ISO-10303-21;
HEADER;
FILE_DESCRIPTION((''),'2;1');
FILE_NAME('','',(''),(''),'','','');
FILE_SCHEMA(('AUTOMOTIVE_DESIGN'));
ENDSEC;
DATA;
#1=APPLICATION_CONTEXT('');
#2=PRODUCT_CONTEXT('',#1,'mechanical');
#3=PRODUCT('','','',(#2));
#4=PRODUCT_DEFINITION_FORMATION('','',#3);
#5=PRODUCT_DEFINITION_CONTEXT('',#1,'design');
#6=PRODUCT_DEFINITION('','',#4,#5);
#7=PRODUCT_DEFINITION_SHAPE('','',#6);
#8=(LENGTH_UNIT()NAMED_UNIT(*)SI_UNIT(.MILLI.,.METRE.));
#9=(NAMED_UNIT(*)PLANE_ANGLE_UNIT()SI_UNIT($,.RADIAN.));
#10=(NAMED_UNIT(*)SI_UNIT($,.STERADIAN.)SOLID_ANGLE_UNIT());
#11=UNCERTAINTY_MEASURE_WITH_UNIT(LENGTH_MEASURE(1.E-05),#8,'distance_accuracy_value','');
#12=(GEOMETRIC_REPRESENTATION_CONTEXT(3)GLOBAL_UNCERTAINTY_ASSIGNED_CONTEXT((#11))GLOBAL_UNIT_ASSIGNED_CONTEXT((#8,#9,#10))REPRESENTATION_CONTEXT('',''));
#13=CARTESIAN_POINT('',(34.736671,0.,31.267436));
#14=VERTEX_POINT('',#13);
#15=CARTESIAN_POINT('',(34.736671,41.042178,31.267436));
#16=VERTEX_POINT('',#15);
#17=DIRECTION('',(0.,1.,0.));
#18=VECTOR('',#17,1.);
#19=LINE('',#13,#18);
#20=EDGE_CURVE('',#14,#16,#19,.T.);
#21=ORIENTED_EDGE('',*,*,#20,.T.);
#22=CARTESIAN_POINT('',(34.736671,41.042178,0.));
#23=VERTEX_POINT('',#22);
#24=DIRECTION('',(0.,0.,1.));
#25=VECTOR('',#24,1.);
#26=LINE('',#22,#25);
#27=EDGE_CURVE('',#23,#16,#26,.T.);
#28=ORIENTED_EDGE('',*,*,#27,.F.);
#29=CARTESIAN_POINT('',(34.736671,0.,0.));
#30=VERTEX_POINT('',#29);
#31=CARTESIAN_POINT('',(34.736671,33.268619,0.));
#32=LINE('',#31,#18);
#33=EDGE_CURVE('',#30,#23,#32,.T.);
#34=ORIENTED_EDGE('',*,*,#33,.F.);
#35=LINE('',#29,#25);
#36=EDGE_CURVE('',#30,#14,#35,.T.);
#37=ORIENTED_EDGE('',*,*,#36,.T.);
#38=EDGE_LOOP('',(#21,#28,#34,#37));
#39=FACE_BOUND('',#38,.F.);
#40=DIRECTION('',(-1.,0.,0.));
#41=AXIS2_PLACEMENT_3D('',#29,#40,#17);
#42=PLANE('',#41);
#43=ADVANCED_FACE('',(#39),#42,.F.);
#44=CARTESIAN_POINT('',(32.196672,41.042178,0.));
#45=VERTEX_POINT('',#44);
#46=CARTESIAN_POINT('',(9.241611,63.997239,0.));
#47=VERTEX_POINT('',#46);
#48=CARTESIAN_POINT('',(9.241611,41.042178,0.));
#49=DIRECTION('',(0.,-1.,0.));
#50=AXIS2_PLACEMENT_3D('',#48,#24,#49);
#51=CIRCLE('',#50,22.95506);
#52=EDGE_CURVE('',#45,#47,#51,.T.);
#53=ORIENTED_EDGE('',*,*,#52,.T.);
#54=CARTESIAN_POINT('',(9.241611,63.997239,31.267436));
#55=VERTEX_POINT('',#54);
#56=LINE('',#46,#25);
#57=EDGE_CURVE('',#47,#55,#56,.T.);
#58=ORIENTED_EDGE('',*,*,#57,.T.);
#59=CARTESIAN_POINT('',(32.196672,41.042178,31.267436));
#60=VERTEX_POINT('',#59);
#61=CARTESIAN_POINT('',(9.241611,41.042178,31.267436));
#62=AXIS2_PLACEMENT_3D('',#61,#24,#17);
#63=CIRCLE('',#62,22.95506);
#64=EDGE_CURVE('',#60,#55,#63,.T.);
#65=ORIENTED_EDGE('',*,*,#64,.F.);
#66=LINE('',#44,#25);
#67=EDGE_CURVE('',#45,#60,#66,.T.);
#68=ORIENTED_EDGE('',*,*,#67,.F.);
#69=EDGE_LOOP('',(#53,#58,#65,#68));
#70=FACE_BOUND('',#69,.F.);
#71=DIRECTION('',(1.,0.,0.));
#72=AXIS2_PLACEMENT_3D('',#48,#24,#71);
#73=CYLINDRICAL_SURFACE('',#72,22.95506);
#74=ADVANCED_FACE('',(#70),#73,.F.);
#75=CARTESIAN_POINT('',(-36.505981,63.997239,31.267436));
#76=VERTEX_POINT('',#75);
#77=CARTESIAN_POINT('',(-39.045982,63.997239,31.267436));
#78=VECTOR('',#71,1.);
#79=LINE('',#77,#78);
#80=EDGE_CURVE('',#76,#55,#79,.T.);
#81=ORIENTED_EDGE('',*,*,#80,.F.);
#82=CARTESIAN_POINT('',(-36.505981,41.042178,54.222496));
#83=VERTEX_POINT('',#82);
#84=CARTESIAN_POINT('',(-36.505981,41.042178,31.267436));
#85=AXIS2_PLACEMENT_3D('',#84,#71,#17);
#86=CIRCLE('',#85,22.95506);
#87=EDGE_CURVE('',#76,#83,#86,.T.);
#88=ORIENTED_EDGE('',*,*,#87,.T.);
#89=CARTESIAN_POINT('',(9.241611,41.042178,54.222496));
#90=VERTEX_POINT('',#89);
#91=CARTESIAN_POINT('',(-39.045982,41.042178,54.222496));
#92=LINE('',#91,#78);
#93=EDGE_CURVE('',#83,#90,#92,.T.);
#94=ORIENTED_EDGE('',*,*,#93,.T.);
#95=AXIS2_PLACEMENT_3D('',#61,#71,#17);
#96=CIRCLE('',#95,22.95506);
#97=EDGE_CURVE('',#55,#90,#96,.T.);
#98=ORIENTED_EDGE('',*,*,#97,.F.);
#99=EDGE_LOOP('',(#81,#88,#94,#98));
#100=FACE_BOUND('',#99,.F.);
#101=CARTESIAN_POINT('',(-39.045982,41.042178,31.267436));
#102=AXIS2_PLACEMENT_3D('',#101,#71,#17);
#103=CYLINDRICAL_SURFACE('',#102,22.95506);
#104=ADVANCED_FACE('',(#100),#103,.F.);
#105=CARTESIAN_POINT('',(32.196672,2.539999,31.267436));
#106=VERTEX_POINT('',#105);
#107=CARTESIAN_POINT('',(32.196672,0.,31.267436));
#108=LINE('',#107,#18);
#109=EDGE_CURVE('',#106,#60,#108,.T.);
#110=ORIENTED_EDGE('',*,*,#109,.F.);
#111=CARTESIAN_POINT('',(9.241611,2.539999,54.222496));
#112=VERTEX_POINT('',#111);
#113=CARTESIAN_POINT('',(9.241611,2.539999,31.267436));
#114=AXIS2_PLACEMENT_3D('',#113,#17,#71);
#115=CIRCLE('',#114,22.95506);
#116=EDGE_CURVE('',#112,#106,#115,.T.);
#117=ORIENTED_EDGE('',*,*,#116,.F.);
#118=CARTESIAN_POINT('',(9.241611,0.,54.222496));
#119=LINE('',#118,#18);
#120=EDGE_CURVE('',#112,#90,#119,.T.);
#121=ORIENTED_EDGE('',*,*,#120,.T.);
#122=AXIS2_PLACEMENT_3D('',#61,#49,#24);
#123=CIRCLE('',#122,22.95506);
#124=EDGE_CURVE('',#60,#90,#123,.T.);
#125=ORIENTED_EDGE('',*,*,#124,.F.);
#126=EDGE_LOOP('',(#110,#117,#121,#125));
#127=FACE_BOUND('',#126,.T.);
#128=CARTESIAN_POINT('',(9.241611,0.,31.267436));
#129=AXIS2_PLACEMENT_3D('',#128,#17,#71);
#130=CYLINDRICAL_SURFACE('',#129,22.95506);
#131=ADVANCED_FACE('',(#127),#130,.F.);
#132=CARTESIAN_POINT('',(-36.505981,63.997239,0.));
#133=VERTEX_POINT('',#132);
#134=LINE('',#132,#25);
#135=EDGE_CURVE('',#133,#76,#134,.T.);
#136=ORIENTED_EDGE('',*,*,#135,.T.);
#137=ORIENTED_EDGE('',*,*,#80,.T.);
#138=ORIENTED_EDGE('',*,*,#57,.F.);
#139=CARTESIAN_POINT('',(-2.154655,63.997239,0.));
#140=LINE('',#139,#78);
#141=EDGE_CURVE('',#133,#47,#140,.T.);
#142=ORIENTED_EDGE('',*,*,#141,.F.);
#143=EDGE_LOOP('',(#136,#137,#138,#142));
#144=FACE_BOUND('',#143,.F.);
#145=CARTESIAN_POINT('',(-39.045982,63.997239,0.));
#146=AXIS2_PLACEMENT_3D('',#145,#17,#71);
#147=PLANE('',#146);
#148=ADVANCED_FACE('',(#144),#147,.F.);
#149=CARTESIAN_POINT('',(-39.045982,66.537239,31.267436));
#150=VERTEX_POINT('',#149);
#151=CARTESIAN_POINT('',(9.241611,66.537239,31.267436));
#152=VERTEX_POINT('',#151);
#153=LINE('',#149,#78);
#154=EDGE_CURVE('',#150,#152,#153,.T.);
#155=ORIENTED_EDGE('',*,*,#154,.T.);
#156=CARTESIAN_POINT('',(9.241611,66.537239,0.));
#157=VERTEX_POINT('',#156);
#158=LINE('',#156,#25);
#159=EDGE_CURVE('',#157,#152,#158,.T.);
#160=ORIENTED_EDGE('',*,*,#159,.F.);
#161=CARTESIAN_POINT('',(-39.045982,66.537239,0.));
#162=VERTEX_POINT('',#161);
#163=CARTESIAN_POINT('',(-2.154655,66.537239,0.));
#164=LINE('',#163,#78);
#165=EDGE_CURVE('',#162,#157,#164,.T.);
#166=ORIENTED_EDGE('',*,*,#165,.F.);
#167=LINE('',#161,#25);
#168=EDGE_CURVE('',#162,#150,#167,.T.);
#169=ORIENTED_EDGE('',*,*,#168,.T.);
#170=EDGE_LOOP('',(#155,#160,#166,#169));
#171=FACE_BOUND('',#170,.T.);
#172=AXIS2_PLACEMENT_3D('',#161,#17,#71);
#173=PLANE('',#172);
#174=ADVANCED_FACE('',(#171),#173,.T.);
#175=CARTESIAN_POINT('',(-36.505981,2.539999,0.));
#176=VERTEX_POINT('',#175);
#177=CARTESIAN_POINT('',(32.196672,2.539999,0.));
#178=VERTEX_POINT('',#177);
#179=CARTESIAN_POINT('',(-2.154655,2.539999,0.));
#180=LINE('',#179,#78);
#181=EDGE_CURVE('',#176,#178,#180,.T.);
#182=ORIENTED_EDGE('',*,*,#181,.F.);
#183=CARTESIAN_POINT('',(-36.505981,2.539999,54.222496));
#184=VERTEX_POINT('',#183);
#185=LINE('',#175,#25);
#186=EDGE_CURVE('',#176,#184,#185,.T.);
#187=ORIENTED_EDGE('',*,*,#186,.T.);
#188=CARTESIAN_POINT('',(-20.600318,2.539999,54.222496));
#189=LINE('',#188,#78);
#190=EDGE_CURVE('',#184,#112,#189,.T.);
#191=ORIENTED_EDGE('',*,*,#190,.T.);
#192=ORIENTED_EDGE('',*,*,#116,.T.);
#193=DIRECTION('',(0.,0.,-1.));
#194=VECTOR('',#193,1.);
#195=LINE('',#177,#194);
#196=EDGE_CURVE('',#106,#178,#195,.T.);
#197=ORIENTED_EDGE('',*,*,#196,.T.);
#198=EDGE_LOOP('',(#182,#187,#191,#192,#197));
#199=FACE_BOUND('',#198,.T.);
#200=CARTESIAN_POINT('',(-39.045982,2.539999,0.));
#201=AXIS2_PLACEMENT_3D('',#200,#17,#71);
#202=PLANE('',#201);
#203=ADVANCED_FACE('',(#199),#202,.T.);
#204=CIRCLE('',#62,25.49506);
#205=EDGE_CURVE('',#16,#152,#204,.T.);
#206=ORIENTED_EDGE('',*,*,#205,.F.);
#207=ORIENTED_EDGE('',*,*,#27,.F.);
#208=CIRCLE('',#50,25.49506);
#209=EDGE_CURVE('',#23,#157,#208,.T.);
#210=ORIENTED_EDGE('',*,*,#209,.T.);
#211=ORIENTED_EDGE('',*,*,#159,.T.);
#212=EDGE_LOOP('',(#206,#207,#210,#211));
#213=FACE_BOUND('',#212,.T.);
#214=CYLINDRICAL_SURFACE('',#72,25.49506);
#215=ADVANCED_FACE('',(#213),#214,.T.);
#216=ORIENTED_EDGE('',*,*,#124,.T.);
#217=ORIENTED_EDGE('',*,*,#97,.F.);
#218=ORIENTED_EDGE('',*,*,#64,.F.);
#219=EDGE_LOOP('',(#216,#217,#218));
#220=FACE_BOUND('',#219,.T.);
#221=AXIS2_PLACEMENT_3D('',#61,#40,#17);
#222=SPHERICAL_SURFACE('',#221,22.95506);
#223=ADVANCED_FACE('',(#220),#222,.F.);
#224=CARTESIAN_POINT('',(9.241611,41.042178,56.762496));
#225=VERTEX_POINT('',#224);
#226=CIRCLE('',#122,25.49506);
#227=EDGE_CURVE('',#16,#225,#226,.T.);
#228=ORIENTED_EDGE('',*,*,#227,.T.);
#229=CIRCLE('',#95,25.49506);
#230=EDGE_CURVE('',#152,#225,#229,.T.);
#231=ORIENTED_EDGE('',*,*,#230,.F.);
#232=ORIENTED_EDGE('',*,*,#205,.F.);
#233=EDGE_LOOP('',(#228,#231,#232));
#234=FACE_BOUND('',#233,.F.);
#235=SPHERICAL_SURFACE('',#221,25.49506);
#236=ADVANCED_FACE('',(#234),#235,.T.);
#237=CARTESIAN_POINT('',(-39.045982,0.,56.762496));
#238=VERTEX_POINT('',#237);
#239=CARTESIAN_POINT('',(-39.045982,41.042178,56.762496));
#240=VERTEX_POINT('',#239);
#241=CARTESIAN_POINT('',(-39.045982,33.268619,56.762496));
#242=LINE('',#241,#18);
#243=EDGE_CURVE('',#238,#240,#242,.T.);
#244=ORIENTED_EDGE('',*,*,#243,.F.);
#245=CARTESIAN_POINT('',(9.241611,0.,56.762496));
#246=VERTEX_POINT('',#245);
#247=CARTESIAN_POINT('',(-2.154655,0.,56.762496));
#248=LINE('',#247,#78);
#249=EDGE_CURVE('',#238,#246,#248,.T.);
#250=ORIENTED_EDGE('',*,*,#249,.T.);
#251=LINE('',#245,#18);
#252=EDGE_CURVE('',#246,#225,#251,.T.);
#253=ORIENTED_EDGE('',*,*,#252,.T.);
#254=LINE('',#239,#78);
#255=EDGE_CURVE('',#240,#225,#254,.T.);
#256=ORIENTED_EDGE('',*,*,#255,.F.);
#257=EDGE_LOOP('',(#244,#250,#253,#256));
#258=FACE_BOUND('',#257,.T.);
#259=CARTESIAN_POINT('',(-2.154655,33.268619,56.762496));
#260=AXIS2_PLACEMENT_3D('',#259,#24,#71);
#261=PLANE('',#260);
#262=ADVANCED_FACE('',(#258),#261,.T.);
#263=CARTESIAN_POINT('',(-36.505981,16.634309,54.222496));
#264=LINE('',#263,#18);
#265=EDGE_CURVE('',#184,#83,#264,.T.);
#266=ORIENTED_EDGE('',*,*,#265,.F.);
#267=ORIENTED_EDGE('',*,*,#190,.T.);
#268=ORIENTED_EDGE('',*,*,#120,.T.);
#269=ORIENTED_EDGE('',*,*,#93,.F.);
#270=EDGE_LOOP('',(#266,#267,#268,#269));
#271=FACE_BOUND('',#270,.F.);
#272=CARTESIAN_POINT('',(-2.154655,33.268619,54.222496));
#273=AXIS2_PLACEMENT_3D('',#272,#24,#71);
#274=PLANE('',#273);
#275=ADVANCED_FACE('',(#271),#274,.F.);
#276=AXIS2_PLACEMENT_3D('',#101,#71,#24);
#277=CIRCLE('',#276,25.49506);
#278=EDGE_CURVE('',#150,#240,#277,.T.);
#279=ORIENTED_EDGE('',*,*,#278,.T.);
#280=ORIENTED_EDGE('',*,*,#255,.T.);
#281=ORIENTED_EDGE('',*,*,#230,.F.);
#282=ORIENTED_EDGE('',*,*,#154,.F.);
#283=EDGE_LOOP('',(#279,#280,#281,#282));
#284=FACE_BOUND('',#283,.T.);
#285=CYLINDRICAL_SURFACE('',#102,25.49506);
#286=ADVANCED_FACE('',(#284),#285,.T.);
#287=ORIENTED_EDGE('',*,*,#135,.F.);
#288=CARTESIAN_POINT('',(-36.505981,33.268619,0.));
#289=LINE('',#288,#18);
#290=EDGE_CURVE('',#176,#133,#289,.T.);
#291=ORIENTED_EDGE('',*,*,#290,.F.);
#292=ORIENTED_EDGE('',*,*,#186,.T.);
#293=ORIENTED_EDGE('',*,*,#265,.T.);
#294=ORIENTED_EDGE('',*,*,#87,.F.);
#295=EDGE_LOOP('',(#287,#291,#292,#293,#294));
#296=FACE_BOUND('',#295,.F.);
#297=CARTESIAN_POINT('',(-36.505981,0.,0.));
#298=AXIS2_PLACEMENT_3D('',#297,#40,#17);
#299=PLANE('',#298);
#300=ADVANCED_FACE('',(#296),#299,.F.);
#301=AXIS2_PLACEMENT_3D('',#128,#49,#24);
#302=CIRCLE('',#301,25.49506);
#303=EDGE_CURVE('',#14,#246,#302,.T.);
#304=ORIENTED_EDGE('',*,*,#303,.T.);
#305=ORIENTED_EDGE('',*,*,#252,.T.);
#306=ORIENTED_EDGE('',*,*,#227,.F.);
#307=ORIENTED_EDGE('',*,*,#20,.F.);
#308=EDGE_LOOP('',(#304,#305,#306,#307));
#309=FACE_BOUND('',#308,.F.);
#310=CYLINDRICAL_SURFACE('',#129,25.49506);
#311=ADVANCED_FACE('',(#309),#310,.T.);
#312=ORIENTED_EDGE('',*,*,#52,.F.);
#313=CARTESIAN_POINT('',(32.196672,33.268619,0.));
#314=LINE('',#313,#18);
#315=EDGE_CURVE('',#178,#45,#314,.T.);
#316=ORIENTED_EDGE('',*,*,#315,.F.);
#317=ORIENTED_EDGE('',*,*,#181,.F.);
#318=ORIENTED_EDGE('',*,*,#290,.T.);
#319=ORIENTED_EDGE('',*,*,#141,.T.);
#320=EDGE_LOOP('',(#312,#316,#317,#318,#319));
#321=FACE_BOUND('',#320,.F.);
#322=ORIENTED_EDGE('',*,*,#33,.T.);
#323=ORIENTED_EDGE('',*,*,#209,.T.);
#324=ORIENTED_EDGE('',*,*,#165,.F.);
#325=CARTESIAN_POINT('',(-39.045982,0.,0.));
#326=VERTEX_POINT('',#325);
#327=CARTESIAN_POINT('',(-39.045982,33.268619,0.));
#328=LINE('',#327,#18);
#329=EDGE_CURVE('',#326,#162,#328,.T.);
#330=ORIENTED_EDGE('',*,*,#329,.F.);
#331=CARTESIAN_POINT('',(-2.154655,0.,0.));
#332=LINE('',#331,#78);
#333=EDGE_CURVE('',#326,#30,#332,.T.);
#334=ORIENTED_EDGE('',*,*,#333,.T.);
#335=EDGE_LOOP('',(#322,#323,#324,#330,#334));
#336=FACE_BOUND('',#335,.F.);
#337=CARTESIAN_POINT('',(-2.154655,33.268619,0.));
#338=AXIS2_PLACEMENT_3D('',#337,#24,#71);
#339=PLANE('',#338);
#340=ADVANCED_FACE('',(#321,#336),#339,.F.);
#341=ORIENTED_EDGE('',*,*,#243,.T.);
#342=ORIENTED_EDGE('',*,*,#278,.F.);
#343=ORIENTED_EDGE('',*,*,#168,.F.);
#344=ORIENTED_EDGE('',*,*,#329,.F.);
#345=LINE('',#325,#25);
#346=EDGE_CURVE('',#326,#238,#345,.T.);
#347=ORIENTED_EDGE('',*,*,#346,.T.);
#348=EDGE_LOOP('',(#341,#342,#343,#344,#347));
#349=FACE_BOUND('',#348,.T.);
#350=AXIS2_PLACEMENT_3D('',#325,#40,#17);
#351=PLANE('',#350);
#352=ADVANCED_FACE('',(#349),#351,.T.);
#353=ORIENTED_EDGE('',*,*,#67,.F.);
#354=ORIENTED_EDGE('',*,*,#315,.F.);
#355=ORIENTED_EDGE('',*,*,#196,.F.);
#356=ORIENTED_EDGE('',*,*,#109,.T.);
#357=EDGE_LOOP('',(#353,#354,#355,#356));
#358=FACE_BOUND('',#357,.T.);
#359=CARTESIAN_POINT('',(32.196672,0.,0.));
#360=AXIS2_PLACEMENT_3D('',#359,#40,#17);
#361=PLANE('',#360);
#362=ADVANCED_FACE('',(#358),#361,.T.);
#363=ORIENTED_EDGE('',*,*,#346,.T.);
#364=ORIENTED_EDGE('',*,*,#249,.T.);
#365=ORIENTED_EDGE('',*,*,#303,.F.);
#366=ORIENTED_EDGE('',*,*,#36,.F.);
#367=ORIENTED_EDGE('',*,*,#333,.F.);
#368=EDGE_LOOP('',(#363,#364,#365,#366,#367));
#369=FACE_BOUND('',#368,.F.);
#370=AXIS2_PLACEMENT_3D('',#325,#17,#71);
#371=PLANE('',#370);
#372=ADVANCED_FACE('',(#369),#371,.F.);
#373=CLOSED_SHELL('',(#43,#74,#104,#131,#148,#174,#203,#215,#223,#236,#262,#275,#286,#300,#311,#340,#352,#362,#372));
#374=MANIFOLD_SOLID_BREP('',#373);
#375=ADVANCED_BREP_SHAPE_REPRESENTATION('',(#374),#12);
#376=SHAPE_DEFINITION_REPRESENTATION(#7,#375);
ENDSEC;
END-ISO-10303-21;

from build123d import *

# Parameters (mm, degrees)
F0_W     = 73.782653
F0_H     = 66.537239
F1_DEPTH = 56.762496
F2_R     = 25.49506
F3_T     = -2.54


with BuildPart() as f1:
    # F0 (on Top) → F1 (new body)
    with BuildSketch(Plane.XY):
        with Locations((-2.154655, 33.268619)):
            Rectangle(F0_W, F0_H)
    extrude(amount=F1_DEPTH)

    # F2
    f2_edges = [f1.edges().sort_by_distance(p)[0] for p in [
        (-2.154656, 66.537239, 56.762496),
        (34.736671, 66.537239, 28.381248),
        (34.736671, 33.268619, 56.762496),
    ]]
    fillet(f2_edges, radius=F2_R)

    # F3
    f3_openings = [f1.faces().sort_by_distance(p)[0] for p in [
        (-3.066985, 32.462235, 0),
    ]]
    offset(amount=F3_T, openings=f3_openings)


solid = f1.part
